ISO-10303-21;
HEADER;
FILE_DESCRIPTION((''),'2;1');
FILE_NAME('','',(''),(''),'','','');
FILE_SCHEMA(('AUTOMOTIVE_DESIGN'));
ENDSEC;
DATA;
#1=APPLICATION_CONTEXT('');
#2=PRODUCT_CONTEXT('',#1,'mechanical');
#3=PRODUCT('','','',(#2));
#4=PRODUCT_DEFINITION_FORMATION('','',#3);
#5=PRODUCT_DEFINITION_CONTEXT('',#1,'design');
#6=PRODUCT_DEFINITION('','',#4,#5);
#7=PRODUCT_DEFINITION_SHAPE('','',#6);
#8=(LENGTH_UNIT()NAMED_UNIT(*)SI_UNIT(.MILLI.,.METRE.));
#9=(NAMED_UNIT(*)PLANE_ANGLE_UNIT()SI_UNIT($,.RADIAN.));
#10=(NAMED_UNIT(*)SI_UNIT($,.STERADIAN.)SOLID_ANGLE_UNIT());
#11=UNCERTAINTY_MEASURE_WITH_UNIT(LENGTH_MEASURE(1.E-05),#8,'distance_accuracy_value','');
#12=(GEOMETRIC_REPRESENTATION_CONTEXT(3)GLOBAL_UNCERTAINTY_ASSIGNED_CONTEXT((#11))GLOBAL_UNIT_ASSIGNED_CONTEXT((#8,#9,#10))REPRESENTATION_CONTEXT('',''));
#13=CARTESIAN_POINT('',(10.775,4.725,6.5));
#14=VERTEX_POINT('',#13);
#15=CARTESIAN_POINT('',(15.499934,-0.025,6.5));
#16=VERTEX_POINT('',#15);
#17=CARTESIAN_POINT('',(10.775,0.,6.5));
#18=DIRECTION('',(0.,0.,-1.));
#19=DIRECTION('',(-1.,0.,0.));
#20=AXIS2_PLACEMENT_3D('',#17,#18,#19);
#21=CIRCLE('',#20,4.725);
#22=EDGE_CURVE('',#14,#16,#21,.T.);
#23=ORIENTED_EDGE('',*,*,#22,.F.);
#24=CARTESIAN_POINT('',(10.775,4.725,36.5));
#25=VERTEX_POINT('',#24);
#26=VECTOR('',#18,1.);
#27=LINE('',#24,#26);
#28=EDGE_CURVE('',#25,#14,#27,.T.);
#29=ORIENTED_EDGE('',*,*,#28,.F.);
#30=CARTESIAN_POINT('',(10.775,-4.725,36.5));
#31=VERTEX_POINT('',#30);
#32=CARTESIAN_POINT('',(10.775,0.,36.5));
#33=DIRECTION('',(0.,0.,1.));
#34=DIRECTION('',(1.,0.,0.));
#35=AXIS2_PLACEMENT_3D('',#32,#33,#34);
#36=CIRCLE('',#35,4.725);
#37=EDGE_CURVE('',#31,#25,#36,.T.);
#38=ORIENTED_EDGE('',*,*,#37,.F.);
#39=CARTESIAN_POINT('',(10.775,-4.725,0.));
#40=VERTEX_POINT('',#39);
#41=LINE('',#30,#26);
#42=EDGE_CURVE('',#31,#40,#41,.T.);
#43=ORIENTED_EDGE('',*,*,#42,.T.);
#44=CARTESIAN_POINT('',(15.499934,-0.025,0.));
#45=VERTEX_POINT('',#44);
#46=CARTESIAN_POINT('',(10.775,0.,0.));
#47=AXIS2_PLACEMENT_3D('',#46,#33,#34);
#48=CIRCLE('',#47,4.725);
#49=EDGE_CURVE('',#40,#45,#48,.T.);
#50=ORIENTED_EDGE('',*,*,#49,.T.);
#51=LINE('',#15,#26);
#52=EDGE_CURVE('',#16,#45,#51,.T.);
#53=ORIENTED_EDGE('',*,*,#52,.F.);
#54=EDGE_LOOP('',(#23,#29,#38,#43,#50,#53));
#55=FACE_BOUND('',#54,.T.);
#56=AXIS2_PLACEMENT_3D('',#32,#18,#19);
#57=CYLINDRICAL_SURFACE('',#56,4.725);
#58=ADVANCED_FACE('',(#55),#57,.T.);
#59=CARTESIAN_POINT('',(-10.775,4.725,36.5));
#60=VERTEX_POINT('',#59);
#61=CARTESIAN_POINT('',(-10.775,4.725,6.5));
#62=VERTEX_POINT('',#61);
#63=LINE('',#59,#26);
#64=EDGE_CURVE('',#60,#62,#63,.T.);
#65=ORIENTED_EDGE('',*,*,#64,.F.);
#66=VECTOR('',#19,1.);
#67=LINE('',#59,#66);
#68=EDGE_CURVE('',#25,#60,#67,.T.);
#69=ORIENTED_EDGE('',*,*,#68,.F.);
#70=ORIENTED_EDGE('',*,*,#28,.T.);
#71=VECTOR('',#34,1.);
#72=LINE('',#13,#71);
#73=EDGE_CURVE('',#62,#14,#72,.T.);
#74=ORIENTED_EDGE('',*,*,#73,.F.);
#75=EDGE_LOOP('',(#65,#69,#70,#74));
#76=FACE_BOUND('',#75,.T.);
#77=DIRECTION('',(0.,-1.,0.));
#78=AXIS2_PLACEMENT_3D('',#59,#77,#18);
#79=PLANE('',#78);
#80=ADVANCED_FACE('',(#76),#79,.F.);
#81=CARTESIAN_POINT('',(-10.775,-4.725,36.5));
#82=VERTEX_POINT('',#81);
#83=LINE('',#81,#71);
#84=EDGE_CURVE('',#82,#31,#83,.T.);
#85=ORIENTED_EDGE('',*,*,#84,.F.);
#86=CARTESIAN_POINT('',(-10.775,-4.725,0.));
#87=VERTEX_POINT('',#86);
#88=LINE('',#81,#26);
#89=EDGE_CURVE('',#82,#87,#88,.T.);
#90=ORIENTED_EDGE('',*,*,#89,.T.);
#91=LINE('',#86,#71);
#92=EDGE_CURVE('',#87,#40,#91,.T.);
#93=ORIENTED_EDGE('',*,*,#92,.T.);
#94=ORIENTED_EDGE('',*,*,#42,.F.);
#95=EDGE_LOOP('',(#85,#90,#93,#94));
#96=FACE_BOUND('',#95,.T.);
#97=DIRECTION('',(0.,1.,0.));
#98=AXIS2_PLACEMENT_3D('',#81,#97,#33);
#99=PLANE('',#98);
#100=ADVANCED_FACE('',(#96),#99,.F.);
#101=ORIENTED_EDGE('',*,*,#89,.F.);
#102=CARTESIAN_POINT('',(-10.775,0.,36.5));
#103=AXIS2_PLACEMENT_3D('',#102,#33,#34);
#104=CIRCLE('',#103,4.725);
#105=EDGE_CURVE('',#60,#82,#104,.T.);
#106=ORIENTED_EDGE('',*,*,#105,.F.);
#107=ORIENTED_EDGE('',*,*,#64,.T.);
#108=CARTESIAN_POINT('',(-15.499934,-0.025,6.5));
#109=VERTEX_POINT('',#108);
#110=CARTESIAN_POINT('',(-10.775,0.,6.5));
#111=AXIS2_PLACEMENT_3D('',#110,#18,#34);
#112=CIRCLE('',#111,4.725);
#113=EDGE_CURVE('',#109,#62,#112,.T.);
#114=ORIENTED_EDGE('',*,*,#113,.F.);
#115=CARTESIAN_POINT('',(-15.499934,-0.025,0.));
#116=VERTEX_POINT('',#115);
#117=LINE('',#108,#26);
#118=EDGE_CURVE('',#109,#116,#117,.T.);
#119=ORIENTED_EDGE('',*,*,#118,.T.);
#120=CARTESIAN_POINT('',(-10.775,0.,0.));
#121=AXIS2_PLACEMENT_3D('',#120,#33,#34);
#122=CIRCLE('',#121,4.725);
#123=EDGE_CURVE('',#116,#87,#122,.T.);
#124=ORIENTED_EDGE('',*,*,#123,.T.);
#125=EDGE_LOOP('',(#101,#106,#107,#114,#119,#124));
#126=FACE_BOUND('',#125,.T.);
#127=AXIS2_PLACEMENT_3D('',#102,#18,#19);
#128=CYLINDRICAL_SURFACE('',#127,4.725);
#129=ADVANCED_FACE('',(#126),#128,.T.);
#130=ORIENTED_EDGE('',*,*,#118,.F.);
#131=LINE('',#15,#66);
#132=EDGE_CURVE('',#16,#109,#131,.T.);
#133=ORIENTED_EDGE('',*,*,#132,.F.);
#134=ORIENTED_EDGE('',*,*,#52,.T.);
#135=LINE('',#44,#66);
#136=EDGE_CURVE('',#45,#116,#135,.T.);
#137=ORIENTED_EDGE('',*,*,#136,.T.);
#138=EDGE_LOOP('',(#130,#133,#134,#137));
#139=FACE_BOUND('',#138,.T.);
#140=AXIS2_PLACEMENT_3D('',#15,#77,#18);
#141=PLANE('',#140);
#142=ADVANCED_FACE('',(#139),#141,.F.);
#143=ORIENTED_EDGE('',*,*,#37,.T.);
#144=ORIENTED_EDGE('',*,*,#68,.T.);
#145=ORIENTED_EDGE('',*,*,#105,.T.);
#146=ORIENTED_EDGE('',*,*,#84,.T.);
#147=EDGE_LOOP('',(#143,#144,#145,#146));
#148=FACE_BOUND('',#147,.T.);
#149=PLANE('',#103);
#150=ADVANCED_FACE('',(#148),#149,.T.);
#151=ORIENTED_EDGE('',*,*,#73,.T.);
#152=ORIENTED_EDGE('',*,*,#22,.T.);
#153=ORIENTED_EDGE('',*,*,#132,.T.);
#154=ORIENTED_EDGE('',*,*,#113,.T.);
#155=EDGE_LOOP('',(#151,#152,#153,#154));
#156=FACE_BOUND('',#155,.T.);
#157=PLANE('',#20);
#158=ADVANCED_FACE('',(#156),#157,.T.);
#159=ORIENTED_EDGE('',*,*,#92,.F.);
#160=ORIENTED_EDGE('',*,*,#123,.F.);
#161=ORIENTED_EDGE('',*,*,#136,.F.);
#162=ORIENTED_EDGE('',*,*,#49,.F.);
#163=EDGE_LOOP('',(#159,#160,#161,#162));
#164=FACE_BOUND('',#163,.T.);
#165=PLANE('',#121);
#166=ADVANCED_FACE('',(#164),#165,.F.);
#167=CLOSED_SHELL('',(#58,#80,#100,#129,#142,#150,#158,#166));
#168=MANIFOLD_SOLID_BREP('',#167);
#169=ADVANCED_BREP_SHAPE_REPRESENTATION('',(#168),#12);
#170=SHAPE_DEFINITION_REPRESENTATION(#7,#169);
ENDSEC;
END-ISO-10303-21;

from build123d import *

# Parameters (mm, degrees)
BATTERY_BASE_DEPTH = 36.5
PINS_DEPTH         = 6.5


with BuildPart() as part:
    # Battery Base Sketch → Battery Base (new body)
    with BuildSketch(Plane.XY):
        with BuildLine():
            Line((-10.775, 4.725), (10.775, 4.725))
            ThreePointArc((10.775, 4.725), (15.5, 0), (10.775, -4.725))
            Line((10.775, -4.725), (-10.775, -4.725))
            ThreePointArc((-10.775, -4.725), (-15.5, 0), (-10.775, 4.725))
        make_face()
    extrude(amount=BATTERY_BASE_DEPTH)

    # Pins Sketch → Pins (cut)
    with BuildSketch(Plane(origin=(0, 0, 0), x_dir=(-1, 0, 0), z_dir=(0, 0, -1))):
        with BuildLine():
            Line((-15.499933862, -0.025), (15.499933862, -0.025))
            ThreePointArc((15.499933862, -0.025), (14.124906715, 3.332228984), (10.775, 4.725))
            Line((10.775, 4.725), (-10.775, 4.725))
            ThreePointArc((-10.775, 4.725), (-14.124906715, 3.332228984), (-15.499933862, -0.025))
        make_face()
    extrude(amount=-PINS_DEPTH, mode=Mode.SUBTRACT)


solid = part.part
